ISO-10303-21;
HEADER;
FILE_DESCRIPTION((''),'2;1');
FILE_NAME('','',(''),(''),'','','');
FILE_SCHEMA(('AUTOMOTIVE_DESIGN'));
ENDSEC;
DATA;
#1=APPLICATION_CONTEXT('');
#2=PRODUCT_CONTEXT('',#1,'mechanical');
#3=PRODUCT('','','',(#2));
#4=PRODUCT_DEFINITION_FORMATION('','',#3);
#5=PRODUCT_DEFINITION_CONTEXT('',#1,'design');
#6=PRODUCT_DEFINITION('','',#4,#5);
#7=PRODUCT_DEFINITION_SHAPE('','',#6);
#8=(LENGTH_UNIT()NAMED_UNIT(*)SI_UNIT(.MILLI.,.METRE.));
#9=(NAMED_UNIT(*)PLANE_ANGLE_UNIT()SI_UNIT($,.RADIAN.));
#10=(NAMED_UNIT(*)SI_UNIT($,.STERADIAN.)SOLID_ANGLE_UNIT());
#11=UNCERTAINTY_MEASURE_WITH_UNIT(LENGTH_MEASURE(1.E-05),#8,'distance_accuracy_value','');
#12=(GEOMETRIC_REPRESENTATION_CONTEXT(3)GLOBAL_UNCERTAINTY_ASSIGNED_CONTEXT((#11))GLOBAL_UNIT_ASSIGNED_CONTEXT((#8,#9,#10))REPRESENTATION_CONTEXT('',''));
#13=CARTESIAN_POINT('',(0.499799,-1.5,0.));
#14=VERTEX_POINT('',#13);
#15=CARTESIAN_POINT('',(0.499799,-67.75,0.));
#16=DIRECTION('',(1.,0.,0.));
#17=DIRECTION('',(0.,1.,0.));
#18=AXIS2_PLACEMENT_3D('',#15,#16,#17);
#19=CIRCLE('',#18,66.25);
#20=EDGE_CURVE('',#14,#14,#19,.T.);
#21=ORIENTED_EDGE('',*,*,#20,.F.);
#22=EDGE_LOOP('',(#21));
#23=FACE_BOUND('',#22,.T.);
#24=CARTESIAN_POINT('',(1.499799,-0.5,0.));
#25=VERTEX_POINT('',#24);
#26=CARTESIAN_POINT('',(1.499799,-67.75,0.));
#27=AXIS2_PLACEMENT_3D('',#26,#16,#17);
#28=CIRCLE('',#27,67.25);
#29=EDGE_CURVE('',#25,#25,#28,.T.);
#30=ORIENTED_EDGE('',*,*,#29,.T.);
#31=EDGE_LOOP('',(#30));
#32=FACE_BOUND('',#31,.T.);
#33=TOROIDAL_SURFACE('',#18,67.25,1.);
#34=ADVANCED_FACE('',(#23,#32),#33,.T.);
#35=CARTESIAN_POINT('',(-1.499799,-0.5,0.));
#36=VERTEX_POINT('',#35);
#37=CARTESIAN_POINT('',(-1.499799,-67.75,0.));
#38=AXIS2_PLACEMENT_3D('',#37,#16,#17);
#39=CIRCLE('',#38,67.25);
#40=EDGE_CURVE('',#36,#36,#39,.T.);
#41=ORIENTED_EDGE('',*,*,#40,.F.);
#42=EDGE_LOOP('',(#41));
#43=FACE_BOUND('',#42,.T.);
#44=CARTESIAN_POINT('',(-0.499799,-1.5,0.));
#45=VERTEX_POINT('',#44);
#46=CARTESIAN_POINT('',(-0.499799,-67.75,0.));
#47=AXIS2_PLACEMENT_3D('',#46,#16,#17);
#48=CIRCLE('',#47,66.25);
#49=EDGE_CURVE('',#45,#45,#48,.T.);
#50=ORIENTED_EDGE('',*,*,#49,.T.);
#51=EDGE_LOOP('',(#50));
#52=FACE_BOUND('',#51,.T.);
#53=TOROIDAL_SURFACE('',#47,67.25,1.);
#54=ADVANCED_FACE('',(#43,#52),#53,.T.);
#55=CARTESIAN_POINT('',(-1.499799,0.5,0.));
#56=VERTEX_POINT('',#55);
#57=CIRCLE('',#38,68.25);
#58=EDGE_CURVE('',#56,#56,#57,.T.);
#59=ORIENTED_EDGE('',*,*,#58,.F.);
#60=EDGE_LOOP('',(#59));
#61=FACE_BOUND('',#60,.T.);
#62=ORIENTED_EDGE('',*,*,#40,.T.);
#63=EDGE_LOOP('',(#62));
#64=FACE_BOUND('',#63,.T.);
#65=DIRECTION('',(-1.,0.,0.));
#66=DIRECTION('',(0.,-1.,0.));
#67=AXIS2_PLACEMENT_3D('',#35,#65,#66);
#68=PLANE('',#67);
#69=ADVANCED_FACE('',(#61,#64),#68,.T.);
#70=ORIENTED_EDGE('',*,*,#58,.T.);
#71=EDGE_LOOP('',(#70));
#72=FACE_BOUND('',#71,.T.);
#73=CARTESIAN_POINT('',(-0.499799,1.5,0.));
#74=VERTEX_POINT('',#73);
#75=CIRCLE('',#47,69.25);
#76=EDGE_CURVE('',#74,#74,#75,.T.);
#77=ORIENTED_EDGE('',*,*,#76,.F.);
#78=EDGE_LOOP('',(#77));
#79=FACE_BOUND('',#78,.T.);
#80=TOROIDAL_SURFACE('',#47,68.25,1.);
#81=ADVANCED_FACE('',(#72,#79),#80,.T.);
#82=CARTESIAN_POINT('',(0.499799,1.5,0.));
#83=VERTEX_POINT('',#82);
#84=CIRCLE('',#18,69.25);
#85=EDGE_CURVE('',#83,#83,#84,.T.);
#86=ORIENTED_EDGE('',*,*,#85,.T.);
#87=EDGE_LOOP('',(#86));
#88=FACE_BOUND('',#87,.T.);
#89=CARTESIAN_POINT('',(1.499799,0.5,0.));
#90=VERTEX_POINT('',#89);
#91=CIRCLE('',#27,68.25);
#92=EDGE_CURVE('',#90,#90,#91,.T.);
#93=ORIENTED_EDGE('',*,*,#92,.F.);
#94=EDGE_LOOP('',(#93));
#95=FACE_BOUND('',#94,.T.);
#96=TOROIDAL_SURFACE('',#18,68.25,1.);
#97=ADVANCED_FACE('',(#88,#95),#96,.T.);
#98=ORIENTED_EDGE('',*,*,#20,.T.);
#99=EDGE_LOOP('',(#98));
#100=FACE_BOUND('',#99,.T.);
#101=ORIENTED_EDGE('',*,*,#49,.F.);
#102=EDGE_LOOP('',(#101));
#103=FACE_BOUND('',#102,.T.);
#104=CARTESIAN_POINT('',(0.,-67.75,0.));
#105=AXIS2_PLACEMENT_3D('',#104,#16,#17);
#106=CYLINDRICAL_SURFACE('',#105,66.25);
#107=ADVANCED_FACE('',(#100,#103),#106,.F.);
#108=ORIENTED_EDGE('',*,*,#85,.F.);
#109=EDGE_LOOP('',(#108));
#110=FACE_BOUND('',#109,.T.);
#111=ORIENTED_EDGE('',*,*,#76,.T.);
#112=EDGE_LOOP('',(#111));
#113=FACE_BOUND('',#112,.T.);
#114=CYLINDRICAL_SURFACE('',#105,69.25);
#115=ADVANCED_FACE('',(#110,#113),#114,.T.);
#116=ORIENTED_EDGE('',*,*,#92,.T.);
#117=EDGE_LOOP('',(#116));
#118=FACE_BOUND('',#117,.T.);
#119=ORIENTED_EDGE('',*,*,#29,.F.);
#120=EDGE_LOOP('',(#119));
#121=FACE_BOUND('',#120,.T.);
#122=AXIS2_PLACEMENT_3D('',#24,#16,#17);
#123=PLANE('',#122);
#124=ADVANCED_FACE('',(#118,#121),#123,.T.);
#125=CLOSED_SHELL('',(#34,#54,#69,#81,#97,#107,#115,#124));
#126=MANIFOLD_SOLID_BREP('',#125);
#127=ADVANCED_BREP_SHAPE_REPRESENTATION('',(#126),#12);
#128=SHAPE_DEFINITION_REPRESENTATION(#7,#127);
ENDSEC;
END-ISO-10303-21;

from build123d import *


with BuildPart() as part:
    # Schizzo1 → Rivoluzione1 (revolve)
    with BuildSketch(Plane.XY):
        with BuildLine():
            Line((-0.499798977, -1.5), (0.499798977, -1.5))
            ThreePointArc((0.499798977, -1.5), (1.206905758, -1.207106781), (1.499798977, -0.5))
            Line((1.499798977, -0.5), (1.499798977, 0.5))
            ThreePointArc((1.499798977, 0.5), (1.206905758, 1.207106781), (0.499798977, 1.5))
            Line((0.499798977, 1.5), (-0.499798977, 1.5))
            ThreePointArc((-0.499798977, 1.5), (-1.206905758, 1.207106781), (-1.499798977, 0.5))
            Line((-1.499798977, 0.5), (-1.499798977, -0.5))
            ThreePointArc((-1.499798977, -0.5), (-1.206905758, -1.207106781), (-0.499798977, -1.5))
        make_face()
    revolve(axis=Axis((0, -67.75, 0), (-1, 0, 0)))


solid = part.part
